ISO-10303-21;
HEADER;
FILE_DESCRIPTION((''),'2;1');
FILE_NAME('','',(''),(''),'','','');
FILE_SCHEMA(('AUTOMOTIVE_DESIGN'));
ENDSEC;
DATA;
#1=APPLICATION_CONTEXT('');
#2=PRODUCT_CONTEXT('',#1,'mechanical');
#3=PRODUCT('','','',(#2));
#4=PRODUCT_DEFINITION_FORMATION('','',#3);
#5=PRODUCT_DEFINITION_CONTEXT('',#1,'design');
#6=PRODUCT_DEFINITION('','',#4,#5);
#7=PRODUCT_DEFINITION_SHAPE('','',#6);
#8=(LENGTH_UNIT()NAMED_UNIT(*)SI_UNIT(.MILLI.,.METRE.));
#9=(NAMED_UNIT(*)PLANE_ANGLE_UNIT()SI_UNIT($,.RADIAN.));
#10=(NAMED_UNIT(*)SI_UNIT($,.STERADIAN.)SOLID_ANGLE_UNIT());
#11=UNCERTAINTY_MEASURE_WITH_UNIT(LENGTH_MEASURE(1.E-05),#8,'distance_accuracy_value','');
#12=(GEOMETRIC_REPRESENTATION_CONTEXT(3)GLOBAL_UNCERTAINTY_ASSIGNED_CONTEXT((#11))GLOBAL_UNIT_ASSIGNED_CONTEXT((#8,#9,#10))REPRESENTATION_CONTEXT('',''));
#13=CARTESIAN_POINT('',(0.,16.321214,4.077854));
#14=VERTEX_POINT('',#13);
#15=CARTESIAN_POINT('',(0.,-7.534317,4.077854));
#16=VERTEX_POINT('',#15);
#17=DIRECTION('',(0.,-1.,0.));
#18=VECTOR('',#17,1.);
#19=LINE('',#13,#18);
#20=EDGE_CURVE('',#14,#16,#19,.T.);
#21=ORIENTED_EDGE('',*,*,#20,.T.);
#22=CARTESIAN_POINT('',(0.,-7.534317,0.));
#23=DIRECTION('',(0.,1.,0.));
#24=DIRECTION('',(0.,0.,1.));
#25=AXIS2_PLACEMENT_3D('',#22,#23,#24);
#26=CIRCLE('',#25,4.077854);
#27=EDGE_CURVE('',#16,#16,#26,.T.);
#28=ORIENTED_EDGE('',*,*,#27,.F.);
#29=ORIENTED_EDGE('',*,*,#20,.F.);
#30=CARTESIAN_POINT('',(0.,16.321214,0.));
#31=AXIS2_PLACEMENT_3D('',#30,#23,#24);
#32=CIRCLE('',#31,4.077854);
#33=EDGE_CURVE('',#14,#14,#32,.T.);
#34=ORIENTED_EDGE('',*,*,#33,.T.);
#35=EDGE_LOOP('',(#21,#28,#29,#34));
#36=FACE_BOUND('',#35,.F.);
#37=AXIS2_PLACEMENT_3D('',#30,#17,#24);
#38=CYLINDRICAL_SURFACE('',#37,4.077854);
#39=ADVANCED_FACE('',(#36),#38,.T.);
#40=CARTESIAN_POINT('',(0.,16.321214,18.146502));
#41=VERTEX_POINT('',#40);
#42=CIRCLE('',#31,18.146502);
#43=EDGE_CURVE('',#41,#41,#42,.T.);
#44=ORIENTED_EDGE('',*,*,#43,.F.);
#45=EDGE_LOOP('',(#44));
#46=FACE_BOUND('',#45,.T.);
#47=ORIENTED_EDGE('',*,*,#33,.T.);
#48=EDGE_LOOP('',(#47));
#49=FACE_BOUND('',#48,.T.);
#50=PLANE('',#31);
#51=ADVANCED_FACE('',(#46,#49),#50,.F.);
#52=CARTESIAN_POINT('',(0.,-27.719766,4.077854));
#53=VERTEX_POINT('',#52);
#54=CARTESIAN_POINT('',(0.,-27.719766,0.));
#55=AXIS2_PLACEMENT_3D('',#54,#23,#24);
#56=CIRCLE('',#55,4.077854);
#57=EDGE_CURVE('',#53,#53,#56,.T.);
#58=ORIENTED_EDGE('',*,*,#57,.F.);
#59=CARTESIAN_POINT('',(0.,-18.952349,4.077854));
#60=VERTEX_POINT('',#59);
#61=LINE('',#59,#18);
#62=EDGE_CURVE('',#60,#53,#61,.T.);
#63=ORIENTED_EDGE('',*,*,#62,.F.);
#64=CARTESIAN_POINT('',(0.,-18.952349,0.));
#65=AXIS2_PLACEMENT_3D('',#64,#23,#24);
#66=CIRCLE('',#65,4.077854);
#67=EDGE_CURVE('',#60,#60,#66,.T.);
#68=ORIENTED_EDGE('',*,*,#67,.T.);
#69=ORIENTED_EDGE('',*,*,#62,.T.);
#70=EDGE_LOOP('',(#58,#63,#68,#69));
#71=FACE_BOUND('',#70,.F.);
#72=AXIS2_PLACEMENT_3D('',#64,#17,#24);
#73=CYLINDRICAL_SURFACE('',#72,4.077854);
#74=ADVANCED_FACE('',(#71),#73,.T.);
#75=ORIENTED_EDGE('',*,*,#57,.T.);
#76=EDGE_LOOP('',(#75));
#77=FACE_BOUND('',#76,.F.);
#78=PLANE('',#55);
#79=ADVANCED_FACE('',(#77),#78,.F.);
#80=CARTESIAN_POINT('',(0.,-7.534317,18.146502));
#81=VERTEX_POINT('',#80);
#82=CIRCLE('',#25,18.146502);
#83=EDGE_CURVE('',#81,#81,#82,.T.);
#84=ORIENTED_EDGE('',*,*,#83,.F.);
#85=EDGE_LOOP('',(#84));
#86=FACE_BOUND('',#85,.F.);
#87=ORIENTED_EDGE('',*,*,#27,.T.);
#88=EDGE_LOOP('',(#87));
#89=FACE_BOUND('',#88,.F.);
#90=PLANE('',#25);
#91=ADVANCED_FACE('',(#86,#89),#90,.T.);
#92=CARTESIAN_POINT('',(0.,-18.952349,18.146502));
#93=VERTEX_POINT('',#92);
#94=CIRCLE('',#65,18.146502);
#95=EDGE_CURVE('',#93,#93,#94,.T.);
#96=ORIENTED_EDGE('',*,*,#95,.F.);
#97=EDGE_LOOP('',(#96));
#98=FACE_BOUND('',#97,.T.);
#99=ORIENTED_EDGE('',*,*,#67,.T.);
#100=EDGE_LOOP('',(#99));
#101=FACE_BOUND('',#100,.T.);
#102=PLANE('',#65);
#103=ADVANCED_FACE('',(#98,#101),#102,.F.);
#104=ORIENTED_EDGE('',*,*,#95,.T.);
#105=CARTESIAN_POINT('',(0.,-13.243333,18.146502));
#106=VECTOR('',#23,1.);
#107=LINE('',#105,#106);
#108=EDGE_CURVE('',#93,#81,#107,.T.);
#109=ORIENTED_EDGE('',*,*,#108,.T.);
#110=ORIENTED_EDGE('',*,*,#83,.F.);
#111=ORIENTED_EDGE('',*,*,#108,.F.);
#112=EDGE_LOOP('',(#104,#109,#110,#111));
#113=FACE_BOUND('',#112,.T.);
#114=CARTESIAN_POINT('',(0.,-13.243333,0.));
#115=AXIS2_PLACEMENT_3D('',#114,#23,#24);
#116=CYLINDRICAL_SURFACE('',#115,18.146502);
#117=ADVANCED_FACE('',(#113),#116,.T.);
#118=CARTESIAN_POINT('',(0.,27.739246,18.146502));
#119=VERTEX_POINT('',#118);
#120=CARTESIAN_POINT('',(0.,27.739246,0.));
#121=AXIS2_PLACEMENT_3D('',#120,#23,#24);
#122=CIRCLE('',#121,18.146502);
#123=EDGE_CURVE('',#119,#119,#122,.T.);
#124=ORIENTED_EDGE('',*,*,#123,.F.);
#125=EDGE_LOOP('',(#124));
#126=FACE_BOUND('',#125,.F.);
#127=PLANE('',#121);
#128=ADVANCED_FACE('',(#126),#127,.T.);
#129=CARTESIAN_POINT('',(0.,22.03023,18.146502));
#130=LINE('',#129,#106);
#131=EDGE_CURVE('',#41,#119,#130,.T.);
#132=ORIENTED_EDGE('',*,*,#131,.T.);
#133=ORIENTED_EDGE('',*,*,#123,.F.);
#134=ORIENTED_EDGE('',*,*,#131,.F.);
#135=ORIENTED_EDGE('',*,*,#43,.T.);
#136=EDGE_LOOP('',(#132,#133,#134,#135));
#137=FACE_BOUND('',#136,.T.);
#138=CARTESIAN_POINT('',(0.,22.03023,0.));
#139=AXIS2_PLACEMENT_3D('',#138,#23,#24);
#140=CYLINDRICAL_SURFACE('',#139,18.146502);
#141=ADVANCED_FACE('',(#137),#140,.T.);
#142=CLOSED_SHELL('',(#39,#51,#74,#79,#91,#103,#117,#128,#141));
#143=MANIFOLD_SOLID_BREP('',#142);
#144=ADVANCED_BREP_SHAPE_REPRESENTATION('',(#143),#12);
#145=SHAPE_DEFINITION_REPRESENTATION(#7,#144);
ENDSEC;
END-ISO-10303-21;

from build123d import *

# Parameters (mm, degrees)
F0_W = 11.418032
F0_H = 14.068648


with BuildPart() as f1:
    # F0 (on Right) → F1 (revolve)
    with BuildSketch(Plane.YZ):
        with Locations((-13.243333, 11.112178)):
            Rectangle(F0_W, F0_H)
        with Locations((22.03023, 11.112178)):
            Rectangle(F0_W, F0_H)
        Polygon((-18.952349, 4.077854), (-27.719766, 4.077854), (-27.719766, 0), (27.739246, 0), (27.739246, 4.077854), (16.321214, 4.077854), (-7.534317, 4.077854), align=None)
    revolve(axis=Axis((0, 1.640888, 0), (0, 1, 0)))


solid = f1.part
